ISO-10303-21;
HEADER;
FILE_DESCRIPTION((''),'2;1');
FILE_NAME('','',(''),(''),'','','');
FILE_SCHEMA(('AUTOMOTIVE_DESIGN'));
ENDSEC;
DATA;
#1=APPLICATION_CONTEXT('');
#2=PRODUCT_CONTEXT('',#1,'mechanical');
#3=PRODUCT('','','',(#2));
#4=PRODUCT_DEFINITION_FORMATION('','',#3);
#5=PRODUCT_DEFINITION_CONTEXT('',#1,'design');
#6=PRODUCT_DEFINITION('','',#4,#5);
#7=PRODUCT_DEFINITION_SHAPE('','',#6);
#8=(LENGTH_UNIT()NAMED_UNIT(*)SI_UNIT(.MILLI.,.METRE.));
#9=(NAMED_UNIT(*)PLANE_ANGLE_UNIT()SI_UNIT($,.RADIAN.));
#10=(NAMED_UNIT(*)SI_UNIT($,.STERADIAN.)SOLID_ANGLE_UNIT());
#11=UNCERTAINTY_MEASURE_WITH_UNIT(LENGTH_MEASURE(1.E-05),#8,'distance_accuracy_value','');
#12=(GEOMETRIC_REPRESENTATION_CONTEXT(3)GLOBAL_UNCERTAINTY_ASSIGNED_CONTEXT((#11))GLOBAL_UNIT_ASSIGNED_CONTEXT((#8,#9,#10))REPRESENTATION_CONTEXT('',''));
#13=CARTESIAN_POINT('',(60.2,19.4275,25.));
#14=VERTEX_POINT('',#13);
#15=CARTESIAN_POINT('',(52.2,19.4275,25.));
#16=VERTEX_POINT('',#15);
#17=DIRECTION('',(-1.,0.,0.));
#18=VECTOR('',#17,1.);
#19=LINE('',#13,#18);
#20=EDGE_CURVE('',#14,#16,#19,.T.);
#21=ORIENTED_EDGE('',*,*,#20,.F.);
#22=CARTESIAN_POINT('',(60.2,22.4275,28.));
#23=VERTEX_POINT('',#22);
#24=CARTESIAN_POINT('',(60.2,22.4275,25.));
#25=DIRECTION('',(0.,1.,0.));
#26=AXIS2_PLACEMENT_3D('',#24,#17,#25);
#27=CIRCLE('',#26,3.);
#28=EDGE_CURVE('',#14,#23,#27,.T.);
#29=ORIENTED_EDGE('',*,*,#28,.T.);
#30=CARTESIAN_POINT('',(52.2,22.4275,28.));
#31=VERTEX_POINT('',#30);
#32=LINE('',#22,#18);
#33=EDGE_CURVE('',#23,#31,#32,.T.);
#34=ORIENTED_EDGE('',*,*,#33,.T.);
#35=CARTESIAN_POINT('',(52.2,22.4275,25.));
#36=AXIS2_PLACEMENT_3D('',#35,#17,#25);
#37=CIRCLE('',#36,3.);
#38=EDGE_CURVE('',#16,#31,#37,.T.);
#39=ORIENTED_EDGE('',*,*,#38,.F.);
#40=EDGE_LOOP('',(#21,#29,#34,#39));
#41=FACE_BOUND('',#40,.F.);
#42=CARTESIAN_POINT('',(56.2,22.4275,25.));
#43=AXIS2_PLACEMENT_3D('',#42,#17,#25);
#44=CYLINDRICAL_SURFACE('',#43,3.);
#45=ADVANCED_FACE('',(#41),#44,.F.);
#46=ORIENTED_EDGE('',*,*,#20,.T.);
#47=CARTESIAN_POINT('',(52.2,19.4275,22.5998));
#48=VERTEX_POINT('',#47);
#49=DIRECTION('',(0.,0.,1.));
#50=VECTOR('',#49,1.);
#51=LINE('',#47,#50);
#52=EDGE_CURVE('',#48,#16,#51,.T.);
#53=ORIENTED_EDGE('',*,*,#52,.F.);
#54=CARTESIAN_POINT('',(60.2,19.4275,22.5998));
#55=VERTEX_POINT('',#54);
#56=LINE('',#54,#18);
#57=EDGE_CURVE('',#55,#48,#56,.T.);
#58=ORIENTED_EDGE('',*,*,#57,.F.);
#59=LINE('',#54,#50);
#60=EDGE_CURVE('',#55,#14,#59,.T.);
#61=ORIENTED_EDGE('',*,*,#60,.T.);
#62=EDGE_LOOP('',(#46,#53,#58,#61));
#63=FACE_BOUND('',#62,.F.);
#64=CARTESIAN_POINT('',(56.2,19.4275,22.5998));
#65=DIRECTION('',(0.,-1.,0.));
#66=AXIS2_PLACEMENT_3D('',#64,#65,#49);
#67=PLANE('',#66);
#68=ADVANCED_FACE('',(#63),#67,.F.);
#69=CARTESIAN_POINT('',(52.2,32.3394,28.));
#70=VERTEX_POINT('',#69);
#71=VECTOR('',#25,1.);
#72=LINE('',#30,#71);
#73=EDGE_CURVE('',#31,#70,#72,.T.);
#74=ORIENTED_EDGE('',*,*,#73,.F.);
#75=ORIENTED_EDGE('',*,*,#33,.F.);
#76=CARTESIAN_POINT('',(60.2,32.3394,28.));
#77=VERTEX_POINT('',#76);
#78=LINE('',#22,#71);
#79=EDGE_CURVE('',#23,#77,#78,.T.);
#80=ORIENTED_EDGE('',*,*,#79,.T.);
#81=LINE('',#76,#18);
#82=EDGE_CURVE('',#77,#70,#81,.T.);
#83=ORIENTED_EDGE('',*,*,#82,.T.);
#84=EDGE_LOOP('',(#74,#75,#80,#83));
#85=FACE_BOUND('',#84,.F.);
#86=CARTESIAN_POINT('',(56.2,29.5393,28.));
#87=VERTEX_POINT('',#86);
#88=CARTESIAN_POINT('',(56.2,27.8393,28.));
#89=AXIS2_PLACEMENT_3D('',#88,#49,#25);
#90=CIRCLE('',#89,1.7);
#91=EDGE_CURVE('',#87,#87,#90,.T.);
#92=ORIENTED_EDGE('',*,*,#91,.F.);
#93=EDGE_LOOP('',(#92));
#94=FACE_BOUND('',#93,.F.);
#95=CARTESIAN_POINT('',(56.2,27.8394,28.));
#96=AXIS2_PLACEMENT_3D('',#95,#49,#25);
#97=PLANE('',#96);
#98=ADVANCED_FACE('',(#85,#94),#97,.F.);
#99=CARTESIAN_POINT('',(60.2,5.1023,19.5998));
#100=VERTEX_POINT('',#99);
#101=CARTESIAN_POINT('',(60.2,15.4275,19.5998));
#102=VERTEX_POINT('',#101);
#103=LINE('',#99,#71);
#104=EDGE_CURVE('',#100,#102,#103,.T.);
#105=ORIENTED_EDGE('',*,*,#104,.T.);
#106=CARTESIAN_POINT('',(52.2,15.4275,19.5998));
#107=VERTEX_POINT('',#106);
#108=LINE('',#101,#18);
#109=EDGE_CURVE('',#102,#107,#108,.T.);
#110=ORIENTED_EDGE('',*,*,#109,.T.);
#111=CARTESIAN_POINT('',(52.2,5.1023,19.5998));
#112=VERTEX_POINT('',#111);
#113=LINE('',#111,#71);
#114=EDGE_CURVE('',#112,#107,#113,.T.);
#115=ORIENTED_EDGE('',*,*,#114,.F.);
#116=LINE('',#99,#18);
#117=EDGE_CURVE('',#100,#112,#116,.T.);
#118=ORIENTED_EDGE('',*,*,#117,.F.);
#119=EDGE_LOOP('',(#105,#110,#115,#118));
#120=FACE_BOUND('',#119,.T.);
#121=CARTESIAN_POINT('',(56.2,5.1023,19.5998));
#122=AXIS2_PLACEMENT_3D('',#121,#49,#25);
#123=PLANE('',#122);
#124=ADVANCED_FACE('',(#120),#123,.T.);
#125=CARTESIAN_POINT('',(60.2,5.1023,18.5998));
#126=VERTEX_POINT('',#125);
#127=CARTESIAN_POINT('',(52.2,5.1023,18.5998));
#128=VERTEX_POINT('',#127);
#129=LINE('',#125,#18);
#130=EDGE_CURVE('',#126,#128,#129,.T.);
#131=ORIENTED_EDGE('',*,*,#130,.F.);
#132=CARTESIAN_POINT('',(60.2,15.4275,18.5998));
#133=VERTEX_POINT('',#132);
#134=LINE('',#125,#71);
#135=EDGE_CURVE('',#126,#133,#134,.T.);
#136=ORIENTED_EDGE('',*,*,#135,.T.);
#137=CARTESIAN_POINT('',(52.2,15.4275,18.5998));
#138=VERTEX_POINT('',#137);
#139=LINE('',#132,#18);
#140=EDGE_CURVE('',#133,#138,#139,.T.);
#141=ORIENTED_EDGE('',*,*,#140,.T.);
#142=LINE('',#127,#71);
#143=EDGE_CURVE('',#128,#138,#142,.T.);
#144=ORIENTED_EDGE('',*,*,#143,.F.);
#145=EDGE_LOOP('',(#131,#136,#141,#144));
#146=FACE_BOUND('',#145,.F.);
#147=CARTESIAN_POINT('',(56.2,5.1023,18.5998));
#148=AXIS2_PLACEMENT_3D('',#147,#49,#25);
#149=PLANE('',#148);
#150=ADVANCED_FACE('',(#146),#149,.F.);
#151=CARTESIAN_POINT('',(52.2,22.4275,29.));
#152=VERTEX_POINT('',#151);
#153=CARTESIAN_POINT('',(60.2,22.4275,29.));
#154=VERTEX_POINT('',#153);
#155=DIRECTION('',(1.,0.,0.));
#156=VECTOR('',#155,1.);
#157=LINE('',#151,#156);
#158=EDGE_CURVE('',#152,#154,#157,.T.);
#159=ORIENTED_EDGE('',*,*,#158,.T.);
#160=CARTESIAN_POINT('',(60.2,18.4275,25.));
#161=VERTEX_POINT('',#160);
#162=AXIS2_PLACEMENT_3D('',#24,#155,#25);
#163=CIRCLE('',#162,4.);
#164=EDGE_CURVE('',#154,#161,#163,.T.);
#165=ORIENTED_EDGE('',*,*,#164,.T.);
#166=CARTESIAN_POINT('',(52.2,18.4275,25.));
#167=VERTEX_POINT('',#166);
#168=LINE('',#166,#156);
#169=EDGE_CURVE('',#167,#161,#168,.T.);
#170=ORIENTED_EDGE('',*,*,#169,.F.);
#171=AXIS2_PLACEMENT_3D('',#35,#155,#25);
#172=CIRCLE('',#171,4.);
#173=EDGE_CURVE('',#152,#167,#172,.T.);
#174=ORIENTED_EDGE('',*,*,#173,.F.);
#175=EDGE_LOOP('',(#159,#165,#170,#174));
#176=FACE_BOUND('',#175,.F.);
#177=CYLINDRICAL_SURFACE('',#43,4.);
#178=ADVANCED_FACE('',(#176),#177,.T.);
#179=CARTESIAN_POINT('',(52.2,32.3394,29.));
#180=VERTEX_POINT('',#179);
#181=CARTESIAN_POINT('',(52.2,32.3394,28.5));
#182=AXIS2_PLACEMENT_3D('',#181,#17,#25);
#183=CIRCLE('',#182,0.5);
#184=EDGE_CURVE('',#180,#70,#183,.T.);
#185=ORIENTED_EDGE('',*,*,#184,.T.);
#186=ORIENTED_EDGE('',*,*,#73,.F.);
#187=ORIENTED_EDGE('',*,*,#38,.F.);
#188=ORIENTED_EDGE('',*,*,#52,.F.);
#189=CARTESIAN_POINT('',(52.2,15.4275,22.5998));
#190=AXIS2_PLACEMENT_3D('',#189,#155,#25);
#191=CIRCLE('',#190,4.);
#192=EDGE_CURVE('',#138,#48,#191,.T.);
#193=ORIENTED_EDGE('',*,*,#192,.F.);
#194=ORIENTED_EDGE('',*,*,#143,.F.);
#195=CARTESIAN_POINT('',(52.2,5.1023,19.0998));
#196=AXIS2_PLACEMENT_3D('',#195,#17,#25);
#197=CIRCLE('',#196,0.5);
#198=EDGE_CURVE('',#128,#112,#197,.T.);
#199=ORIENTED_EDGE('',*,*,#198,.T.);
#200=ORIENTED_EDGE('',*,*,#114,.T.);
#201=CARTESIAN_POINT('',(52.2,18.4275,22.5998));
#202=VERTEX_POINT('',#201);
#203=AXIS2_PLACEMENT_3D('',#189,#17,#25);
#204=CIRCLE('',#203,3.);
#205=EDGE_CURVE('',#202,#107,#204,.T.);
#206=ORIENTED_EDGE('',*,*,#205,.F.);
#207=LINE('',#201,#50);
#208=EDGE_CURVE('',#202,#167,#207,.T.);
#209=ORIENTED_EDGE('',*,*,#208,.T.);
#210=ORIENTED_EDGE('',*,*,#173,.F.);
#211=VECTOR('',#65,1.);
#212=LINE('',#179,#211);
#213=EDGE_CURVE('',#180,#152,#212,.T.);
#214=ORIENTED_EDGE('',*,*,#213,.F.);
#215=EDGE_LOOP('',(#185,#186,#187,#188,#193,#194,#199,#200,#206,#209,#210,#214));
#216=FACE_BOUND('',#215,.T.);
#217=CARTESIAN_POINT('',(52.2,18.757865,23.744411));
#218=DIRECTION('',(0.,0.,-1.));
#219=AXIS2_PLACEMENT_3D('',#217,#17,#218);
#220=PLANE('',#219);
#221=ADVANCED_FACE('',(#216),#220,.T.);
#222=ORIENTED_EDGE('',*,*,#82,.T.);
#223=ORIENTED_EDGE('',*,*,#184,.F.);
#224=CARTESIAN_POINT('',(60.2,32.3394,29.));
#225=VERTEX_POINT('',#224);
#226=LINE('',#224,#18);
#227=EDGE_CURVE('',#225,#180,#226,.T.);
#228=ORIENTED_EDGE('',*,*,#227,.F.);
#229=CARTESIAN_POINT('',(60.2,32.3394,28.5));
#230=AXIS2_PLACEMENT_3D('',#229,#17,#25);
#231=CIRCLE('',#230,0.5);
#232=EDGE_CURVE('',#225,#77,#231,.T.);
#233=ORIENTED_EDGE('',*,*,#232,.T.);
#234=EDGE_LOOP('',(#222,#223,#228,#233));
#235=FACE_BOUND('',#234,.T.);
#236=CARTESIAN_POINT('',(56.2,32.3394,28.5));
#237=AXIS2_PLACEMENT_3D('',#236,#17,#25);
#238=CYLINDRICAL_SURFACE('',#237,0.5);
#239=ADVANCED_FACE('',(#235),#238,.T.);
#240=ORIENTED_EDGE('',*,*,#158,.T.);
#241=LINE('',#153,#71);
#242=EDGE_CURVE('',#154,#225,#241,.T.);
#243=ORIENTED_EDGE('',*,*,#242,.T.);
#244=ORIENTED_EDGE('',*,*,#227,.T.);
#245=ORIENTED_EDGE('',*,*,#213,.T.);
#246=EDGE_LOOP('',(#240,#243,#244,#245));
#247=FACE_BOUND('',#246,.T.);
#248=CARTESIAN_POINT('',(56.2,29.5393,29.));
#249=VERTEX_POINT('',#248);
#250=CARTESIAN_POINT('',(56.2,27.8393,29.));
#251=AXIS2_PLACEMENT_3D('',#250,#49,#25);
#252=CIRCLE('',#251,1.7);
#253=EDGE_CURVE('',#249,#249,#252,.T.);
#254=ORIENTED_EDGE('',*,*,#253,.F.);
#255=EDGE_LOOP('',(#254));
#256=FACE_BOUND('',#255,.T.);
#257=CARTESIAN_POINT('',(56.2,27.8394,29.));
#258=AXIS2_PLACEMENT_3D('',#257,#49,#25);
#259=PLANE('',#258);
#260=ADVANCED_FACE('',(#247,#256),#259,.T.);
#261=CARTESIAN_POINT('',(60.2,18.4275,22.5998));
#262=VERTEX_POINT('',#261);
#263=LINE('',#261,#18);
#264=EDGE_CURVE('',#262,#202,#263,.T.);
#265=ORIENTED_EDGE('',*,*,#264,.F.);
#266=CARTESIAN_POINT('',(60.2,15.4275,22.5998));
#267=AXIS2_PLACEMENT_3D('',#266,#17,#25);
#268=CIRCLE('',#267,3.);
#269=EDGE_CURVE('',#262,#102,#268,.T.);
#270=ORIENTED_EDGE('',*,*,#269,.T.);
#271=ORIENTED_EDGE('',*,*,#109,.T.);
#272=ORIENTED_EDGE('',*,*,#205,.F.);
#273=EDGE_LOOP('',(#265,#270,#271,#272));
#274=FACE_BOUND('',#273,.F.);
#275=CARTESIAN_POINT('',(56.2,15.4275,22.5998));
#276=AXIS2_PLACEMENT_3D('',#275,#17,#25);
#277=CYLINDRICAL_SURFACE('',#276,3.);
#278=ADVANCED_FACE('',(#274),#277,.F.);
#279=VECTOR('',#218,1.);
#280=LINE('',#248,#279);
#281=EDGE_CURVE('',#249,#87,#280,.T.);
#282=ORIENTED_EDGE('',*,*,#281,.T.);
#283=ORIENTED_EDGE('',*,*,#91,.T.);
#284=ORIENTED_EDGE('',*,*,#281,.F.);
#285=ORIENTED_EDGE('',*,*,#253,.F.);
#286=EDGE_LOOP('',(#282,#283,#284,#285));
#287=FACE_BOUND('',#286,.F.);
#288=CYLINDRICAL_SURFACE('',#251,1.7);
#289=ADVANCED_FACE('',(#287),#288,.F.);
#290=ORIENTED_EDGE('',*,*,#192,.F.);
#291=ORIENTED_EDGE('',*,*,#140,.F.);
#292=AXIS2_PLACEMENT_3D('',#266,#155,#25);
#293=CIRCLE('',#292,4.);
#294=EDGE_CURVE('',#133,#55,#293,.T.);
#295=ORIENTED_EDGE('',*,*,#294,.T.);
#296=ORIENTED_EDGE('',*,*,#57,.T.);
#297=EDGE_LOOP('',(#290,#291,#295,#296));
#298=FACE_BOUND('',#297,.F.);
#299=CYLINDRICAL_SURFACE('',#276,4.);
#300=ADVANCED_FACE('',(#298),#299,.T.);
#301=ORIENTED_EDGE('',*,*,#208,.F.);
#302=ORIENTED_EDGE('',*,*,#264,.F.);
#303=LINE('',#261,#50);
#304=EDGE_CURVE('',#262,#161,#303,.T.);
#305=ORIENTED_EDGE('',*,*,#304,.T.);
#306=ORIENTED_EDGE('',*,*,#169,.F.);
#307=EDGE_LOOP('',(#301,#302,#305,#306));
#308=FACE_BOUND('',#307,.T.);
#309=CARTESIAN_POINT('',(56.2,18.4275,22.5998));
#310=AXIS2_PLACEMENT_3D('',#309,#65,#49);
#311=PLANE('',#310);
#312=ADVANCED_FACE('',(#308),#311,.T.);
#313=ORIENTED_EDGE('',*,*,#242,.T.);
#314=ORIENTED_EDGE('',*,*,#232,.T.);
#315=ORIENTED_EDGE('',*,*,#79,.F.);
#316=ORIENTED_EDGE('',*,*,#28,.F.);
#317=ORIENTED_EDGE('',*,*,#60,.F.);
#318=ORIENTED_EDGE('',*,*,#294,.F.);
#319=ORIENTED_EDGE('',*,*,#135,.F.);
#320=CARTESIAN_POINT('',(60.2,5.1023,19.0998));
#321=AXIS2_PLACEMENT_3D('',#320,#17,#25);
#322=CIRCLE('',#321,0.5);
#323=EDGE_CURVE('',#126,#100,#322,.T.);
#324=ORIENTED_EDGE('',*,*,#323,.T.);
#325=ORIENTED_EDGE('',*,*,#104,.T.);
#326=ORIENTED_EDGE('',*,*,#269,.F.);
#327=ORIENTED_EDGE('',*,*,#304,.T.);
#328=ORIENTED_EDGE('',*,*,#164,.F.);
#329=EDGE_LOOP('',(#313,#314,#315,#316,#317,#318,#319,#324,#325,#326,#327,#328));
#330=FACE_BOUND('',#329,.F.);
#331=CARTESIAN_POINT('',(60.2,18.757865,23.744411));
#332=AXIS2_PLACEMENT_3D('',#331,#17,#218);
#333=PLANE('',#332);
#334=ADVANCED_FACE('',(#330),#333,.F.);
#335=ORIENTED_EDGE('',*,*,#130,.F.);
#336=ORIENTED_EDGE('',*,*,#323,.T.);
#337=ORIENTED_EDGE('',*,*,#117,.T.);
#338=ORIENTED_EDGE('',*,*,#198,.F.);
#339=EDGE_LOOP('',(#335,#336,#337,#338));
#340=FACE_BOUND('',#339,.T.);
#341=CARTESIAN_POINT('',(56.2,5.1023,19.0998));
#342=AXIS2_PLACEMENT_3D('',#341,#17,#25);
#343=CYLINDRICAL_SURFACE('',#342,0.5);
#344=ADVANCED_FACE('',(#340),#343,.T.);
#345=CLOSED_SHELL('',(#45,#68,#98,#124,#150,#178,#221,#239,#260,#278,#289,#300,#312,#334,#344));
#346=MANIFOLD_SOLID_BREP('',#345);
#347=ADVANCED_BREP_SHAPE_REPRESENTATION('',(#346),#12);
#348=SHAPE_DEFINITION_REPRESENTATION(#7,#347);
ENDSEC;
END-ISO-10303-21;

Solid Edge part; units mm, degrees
sketch "Sketch1" plane through (56.2, 0, 0) normal (1, 0, 0) x (0, 1, 0)
  line L0 (27.8394, 29) -> (32.3394, 29)
  line L1 (22.4275, 29) -> (27.8394, 29)
  arc A0 (22.4275, 29) -> (18.4275, 25) centre (22.4275, 25) ccw
  line L2 (18.4275, 22.5998) -> (18.4275, 25)
  arc A1 (18.4275, 22.5998) -> (15.4275, 19.5998) centre (15.4275, 22.5998) cw
  line L3 (5.1023, 19.5998) -> (15.4275, 19.5998)
  arc A2 (5.1023, 18.5998) -> (5.1023, 19.5998) centre (5.1023, 19.0998) cw
  line L4 (5.1023, 18.5998) -> (15.4275, 18.5998)
  arc A3 (15.4275, 18.5998) -> (19.4275, 22.5998) centre (15.4275, 22.5998) ccw
  line L5 (19.4275, 22.5998) -> (19.4275, 25)
  arc A4 (19.4275, 25) -> (22.4275, 28) centre (22.4275, 25) cw
  line L6 (22.4275, 28) -> (27.8394, 28)
  line L7 (27.8394, 28) -> (32.3394, 28)
  arc A5 (32.3394, 29) -> (32.3394, 28) centre (32.3394, 28.5) cw
extrude "ExtrudedProtrusion_1" add sketch "Sketch1" along normal mid plane 8
sketch "Sketch2" plane through (56.2, 27.3834, 29) normal (0, 0, 1) x (0, 1, 0)
  circle A0 centre (0.4559, 0) radius 1.7
extrude "Cutout1" cut sketch "Sketch2" against normal through all
properties material "Steel"
